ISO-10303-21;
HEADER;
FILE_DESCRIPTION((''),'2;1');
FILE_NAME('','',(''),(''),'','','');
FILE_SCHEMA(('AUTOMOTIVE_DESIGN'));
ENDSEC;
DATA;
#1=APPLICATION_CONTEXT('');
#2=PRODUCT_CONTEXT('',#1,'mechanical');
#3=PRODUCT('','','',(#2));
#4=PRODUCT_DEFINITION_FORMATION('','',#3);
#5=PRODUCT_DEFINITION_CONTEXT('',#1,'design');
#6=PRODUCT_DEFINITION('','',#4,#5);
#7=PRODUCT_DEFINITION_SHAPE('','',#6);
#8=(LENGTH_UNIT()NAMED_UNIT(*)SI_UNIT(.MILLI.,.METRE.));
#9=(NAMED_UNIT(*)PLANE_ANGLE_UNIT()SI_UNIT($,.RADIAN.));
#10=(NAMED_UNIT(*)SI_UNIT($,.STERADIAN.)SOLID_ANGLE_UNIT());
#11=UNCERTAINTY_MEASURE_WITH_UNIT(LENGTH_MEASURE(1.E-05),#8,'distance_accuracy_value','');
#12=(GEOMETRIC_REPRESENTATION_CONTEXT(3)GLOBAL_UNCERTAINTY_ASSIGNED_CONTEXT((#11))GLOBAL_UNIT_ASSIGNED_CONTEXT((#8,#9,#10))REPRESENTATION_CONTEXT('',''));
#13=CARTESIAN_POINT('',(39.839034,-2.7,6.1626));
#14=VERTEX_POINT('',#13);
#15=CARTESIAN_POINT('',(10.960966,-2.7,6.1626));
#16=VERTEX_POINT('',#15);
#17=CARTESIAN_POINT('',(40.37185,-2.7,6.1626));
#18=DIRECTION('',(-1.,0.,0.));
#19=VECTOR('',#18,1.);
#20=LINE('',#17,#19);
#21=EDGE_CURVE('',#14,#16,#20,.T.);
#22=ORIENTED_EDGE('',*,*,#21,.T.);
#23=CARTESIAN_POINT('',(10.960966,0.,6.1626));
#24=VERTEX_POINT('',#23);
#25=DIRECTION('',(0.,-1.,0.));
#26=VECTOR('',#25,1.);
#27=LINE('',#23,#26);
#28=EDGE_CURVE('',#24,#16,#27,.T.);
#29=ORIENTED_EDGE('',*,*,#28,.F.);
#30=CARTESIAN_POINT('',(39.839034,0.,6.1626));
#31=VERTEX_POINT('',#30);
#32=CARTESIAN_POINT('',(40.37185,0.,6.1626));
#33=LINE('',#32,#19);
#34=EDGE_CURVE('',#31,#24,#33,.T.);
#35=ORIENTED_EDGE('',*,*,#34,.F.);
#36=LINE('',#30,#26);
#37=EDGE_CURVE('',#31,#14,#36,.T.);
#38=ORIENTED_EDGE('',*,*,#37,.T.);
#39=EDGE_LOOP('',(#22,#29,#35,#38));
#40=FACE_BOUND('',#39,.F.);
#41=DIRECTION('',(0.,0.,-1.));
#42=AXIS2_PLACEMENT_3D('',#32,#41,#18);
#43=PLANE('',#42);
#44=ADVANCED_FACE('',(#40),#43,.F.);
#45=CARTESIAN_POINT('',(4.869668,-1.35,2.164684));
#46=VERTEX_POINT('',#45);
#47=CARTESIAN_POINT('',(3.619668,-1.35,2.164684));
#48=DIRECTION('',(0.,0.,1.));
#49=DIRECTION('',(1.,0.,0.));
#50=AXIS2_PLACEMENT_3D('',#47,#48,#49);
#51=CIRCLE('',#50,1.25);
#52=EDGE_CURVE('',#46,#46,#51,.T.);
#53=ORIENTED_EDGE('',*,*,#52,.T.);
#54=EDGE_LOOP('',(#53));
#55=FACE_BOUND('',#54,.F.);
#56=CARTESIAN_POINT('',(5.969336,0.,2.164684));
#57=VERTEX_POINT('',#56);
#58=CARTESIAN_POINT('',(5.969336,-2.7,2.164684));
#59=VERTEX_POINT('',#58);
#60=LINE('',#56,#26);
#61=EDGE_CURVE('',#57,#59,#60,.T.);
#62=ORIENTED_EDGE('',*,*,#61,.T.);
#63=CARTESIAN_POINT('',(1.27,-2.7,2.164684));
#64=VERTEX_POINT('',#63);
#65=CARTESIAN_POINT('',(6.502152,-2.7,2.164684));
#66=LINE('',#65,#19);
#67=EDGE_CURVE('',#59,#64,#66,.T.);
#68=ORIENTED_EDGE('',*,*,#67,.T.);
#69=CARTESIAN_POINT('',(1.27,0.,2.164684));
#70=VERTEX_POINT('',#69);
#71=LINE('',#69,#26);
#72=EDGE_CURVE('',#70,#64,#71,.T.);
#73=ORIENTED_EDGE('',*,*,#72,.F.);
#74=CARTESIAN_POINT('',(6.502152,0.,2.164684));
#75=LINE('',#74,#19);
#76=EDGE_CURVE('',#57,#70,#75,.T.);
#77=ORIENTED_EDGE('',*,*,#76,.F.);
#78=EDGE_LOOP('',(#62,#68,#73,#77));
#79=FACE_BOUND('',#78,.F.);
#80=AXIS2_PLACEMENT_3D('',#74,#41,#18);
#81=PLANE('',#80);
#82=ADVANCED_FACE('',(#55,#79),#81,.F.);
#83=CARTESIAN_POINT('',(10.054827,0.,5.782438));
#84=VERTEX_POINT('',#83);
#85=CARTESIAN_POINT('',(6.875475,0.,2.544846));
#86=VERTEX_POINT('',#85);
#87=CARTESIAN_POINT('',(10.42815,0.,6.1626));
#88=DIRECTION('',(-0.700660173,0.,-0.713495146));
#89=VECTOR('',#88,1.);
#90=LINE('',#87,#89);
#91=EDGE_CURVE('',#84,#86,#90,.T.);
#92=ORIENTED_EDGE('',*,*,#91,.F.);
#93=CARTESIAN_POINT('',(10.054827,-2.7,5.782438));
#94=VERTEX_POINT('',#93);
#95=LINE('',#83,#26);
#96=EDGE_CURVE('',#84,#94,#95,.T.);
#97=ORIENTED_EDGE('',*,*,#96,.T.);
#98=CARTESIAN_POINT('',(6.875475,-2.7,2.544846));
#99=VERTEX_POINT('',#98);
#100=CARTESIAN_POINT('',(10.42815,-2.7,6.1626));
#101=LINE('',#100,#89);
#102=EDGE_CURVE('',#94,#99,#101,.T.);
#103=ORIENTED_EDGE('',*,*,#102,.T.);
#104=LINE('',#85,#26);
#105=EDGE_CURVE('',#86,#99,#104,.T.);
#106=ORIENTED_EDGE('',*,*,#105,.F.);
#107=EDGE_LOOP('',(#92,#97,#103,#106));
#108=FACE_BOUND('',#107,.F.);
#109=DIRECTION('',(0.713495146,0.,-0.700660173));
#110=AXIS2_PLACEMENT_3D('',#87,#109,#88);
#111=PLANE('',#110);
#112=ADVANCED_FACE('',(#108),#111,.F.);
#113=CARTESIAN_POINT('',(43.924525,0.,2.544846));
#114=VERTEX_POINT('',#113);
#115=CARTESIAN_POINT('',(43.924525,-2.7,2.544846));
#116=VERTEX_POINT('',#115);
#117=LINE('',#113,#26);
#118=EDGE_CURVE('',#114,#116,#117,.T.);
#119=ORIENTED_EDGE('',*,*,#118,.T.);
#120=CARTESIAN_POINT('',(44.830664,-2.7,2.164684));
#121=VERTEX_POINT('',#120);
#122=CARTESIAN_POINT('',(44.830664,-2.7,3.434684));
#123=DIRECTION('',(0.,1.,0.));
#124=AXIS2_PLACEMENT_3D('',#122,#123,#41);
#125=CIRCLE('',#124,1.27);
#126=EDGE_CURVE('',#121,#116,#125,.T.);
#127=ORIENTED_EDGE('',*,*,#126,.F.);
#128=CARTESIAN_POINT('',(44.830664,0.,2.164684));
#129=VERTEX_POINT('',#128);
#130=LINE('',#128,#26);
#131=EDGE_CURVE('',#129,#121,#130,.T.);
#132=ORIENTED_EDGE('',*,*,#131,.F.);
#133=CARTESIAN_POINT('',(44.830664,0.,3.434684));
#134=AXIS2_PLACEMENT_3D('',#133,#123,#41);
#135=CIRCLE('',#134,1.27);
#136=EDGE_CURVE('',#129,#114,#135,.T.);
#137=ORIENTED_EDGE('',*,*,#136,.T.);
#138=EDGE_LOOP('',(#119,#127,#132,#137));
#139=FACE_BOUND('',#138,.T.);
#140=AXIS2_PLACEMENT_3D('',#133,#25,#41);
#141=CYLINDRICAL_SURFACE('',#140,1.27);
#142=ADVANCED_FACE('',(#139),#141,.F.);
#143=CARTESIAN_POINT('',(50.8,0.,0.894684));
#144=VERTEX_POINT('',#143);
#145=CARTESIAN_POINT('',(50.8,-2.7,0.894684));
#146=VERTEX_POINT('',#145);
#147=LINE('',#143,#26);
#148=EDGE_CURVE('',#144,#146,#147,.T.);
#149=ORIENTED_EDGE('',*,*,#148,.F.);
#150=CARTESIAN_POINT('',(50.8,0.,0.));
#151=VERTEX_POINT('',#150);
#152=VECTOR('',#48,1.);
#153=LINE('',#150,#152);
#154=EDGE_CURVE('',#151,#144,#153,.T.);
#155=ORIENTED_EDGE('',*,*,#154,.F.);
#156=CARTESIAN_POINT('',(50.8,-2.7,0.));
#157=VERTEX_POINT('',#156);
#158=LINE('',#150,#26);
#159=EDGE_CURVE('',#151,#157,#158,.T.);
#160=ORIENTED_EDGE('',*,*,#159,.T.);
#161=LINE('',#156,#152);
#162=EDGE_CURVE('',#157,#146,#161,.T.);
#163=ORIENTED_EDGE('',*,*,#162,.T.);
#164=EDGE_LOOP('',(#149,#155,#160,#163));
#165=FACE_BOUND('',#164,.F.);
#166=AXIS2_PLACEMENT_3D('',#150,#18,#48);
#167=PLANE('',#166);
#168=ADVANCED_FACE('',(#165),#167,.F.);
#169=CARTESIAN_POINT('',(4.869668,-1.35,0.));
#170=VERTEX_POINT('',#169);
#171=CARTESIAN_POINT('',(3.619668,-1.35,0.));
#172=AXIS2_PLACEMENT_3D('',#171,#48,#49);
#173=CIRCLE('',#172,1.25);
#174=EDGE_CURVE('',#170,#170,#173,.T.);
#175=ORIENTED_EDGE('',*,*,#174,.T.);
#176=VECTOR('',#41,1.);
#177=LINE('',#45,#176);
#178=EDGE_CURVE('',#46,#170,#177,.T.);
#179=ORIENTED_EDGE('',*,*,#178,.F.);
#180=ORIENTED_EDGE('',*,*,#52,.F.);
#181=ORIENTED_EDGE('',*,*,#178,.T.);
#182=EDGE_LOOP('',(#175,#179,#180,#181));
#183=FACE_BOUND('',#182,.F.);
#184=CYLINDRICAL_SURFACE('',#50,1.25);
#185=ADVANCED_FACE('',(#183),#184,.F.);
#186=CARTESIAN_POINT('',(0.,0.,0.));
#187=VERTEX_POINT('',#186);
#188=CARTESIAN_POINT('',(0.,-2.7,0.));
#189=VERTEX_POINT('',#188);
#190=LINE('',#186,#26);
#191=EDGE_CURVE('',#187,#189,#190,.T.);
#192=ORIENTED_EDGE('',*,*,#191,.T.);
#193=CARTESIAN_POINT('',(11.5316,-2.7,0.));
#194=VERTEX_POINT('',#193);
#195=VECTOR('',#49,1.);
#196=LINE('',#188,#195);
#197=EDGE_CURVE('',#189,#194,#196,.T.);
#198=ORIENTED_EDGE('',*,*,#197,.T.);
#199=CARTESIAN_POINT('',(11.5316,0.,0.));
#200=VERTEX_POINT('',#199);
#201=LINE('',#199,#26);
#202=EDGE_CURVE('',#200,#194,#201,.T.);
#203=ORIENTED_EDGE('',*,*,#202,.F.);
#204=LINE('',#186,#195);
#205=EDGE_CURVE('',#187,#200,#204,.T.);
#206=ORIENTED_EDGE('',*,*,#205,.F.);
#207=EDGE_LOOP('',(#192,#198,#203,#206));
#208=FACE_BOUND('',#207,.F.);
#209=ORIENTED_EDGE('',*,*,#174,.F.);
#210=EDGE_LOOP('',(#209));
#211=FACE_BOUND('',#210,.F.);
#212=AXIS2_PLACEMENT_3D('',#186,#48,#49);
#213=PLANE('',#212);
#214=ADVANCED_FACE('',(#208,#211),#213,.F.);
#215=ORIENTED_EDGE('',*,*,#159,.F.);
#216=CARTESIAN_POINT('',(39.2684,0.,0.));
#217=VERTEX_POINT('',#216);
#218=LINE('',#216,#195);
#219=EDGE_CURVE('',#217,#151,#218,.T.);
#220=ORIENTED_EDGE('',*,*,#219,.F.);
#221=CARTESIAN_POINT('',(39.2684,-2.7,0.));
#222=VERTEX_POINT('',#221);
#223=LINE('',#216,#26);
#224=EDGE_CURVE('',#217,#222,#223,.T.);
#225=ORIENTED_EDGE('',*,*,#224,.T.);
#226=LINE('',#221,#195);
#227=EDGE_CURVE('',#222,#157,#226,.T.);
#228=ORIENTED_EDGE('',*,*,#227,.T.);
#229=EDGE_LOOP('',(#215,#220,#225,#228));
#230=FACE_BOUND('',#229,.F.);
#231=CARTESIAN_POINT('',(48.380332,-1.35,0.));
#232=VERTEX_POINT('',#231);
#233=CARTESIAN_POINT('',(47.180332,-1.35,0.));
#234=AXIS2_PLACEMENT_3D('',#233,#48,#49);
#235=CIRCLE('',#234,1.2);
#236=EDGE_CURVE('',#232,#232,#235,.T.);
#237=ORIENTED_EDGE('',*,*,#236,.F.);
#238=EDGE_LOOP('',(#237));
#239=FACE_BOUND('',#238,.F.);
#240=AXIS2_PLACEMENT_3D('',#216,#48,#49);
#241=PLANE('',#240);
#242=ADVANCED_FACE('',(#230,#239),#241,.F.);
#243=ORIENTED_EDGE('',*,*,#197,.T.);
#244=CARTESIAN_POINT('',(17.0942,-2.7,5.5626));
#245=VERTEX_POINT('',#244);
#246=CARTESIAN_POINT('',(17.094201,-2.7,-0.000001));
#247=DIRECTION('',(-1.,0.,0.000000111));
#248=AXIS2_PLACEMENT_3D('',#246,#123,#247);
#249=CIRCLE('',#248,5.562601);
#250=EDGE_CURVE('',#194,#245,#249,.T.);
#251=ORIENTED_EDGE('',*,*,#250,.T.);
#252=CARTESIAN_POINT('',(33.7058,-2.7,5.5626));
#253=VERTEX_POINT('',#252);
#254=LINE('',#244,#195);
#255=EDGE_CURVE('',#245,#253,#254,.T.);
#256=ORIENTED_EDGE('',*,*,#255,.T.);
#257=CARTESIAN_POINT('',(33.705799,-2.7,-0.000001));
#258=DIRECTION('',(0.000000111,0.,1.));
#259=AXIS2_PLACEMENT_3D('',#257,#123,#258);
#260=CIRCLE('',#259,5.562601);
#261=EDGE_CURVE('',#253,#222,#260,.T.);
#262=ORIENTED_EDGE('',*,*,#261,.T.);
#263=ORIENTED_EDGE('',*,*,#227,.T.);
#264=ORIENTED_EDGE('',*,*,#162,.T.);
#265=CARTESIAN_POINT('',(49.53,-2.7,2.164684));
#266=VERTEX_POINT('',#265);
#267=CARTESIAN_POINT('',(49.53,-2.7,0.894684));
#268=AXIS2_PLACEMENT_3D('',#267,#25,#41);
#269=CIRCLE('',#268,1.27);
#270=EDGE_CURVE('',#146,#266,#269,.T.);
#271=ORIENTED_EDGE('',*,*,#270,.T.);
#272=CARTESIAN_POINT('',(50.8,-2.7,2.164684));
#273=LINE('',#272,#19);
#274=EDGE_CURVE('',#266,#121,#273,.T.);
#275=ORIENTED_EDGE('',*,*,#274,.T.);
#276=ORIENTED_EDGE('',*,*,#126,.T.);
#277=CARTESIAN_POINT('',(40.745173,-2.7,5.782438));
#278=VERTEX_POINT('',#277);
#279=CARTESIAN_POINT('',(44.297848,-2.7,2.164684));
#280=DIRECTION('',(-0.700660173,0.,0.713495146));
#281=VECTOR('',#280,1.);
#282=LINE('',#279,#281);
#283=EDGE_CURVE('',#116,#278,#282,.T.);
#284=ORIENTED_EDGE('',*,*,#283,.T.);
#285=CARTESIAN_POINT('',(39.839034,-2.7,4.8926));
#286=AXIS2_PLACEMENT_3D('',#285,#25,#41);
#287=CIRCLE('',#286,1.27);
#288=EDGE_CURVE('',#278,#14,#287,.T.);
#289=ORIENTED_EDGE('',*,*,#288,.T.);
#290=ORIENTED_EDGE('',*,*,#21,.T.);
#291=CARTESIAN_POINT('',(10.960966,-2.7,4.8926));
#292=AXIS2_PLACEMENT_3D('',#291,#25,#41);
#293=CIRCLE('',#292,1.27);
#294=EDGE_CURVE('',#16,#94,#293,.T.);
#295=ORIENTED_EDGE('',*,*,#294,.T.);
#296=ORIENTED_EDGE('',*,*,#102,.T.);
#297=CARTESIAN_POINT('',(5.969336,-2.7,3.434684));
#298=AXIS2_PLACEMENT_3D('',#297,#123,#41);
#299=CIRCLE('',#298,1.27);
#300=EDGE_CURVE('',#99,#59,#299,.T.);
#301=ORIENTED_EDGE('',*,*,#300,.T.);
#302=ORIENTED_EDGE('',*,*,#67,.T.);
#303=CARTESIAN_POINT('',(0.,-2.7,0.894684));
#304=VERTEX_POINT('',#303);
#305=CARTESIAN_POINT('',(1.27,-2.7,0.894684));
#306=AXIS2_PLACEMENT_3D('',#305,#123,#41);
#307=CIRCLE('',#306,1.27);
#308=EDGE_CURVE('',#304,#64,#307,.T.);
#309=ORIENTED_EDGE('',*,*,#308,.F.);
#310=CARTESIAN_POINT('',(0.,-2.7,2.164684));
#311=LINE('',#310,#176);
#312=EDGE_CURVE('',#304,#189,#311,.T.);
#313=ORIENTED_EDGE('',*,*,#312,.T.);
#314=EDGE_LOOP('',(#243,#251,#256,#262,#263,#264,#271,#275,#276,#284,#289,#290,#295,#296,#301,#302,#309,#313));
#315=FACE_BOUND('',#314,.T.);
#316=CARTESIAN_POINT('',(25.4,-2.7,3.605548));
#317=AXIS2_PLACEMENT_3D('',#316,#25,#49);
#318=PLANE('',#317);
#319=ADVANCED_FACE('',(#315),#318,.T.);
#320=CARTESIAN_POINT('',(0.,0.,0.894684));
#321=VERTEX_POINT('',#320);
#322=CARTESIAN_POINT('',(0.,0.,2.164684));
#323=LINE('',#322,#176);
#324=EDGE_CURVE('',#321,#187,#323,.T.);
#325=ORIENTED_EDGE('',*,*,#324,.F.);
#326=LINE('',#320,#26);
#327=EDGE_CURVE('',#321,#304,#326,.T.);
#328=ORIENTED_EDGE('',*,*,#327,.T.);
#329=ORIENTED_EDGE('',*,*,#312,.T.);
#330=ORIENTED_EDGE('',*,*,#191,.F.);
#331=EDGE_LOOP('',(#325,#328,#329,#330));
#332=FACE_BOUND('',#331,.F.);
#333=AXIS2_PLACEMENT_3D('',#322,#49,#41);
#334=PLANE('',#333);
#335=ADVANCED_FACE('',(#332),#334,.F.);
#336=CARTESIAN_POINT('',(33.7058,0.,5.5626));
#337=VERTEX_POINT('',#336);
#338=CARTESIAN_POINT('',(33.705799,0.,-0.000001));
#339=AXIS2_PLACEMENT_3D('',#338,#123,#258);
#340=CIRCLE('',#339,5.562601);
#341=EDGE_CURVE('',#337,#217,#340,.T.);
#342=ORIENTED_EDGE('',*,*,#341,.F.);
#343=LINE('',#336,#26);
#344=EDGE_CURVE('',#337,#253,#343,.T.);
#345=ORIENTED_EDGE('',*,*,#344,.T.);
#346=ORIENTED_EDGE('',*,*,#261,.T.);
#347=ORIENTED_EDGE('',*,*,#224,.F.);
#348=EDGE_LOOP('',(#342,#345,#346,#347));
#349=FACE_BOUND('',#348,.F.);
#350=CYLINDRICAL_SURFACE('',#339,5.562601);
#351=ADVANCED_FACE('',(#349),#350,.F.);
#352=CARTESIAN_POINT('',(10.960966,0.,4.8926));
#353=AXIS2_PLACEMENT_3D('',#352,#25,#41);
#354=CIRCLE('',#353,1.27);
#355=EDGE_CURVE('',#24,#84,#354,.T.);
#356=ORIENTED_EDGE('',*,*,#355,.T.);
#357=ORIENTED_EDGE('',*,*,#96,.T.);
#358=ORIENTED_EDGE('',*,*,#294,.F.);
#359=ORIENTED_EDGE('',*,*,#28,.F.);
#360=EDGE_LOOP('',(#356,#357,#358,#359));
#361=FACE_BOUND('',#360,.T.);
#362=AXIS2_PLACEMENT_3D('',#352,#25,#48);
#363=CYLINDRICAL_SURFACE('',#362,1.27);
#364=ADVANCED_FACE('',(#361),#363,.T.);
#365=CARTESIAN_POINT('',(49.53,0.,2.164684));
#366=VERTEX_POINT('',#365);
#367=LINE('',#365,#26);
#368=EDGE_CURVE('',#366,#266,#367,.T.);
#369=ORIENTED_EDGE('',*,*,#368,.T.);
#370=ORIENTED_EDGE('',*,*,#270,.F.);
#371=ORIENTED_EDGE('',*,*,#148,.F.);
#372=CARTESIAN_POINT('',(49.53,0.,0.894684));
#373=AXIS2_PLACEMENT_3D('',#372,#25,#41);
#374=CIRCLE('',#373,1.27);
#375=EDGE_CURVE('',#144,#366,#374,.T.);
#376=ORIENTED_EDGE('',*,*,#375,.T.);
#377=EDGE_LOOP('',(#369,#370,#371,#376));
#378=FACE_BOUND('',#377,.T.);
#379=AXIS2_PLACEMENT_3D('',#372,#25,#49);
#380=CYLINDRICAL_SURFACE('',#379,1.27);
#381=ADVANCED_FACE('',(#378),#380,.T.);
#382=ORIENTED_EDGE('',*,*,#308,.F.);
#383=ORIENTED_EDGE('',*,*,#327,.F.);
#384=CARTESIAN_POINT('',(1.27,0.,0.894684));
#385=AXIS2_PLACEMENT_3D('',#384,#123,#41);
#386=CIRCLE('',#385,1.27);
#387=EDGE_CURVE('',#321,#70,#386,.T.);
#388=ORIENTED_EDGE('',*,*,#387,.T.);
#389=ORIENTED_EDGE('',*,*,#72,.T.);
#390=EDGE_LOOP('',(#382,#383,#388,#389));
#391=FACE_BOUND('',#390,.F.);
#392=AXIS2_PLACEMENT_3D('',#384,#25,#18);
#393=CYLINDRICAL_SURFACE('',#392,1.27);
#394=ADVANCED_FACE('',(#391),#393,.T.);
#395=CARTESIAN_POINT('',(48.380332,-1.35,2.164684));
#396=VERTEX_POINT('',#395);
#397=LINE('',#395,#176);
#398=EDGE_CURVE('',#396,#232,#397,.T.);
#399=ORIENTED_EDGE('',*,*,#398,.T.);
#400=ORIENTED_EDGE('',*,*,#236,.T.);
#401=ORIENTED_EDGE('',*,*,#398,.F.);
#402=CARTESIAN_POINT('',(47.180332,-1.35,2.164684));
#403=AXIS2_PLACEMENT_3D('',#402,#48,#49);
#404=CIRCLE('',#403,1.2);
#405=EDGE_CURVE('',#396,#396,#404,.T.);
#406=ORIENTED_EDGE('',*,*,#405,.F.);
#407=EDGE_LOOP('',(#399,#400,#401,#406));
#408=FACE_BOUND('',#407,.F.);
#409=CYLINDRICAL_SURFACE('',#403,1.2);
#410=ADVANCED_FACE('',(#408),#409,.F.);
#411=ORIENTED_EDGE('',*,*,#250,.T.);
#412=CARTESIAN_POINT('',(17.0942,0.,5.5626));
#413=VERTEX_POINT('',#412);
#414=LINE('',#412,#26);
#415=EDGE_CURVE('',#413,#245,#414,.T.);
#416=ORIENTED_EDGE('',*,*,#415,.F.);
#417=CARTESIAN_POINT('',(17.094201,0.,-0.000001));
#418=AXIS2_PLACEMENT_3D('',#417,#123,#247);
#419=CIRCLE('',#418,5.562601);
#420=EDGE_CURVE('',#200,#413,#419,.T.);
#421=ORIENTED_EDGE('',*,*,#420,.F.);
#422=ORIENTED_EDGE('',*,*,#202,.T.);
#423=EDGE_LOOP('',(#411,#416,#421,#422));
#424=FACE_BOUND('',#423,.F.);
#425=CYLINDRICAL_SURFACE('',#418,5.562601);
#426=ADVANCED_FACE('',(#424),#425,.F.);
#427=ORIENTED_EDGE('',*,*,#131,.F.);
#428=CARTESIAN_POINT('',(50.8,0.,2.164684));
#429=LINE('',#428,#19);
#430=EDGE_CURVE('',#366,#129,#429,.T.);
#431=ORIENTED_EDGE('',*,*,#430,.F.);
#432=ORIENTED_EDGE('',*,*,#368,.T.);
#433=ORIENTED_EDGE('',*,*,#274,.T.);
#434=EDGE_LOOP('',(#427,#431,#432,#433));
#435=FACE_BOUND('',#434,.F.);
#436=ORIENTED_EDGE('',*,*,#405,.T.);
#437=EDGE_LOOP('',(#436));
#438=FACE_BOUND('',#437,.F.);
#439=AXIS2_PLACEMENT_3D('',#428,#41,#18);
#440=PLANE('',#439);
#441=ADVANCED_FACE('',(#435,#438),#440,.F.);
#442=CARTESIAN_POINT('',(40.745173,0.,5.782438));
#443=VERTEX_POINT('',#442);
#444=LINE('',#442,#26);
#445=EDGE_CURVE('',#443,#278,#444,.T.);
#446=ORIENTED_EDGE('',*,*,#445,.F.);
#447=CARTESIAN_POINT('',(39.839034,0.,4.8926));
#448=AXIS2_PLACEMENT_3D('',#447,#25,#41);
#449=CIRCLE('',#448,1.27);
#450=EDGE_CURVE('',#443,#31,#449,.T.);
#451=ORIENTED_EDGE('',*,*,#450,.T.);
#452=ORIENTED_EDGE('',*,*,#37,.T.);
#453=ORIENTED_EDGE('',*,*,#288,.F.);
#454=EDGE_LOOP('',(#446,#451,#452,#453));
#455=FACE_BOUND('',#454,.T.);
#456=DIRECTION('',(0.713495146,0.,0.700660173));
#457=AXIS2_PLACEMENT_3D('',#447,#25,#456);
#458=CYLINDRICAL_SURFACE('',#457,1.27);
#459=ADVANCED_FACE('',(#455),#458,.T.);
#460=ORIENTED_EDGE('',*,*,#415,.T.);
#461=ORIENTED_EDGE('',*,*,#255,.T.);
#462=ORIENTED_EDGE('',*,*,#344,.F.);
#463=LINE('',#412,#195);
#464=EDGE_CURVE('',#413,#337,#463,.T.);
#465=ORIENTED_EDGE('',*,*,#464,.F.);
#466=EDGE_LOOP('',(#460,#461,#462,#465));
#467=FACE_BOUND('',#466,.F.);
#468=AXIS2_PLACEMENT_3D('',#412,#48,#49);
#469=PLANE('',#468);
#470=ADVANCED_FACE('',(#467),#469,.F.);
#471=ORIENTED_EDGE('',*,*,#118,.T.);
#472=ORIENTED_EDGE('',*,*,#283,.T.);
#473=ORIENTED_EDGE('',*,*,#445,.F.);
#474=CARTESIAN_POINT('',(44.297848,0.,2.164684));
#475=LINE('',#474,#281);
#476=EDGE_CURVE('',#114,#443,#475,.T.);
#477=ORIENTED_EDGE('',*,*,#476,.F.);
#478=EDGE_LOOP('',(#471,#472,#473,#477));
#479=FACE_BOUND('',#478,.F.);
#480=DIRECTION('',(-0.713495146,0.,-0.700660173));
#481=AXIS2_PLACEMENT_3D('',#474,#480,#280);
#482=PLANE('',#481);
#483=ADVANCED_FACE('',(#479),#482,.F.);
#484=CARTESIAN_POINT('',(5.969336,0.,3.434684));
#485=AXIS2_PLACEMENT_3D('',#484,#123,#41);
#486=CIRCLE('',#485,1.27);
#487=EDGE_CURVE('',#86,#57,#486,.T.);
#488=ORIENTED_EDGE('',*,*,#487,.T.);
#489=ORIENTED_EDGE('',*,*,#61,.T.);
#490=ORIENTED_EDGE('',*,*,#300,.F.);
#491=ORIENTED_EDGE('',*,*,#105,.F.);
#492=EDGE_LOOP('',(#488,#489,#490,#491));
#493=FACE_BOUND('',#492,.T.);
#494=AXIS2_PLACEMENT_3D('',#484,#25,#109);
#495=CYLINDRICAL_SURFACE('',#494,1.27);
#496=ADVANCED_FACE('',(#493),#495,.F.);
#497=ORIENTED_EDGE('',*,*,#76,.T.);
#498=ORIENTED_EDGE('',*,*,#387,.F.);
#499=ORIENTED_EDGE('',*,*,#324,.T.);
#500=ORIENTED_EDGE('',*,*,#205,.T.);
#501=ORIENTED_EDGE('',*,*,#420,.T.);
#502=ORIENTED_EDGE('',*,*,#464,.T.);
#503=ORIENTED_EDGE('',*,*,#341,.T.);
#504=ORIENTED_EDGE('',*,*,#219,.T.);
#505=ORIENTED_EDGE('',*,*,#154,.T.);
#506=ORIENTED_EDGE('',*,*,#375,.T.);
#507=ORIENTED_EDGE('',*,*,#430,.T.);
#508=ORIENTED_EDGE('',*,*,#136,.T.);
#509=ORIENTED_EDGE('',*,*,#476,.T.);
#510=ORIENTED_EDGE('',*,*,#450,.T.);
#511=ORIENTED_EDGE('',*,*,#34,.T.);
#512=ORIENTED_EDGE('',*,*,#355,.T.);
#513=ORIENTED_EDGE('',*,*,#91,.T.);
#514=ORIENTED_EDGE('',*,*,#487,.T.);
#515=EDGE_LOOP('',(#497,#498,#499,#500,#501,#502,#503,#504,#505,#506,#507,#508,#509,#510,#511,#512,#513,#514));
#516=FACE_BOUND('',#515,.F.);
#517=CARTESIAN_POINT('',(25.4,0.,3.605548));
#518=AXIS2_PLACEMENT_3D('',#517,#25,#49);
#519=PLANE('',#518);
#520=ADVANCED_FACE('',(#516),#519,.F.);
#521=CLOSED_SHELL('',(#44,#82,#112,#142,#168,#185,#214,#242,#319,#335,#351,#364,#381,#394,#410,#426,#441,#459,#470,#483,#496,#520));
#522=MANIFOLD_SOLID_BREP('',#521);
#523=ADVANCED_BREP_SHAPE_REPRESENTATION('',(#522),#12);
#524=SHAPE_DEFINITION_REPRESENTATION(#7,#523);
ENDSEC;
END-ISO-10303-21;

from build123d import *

# Parameters (mm, degrees)
F1_DEPTH = 2.7
F2_R     = 1.27
F3_R     = 1.25
F5_DEPTH = 2.165684
F4_R     = 1.2
F6_DEPTH = 2.165684


with BuildPart() as f1:
    # F0 (on Front) → F1 (new body)
    with BuildSketch(Plane.XZ):
        with BuildLine():
            Line((0, 2.164684), (0, 0))
            Line((0, 0), (11.5316, 0))
            ThreePointArc((11.5316, 0), (13.160848, 3.933352), (17.0942, 5.5626))
            Line((17.0942, 5.5626), (33.7058, 5.5626))
            ThreePointArc((33.7058, 5.5626), (37.639152, 3.933352), (39.2684, 0))
            Line((39.2684, 0), (50.8, 0))
            Line((50.8, 0), (50.8, 2.164684))
            Line((50.8, 2.164684), (44.297848, 2.164684))
            Line((44.297848, 2.164684), (40.37185, 6.1626))
            Line((40.37185, 6.1626), (10.42815, 6.1626))
            Line((10.42815, 6.1626), (6.502152, 2.164684))
            Line((6.502152, 2.164684), (0, 2.164684))
        make_face()
    extrude(amount=F1_DEPTH)

    # F2
    f2_edges = [f1.edges().sort_by_distance(p)[0] for p in [
        (50.8, -1.35, 2.164684),
        (44.297848, -1.35, 2.164684),
        (40.37185, -1.35, 6.1626),
        (10.42815, -1.35, 6.1626),
        (6.502152, -1.35, 2.164684),
        (0, -1.35, 2.164684),
    ]]
    fillet(f2_edges, radius=F2_R)

    # F3 (on face) → F5 (cut, through all)
    with BuildSketch(Plane.XY.offset(2.164684)):
        with Locations((3.619668, -1.35)):
            Circle(F3_R)
    extrude(amount=-F5_DEPTH, mode=Mode.SUBTRACT)

    # F4 (on face) → F6 (cut, through all)
    with BuildSketch(Plane.XY.offset(2.164684)):
        with Locations((47.180332, -1.35)):
            Circle(F4_R)
    extrude(amount=-F6_DEPTH, mode=Mode.SUBTRACT)


solid = f1.part
